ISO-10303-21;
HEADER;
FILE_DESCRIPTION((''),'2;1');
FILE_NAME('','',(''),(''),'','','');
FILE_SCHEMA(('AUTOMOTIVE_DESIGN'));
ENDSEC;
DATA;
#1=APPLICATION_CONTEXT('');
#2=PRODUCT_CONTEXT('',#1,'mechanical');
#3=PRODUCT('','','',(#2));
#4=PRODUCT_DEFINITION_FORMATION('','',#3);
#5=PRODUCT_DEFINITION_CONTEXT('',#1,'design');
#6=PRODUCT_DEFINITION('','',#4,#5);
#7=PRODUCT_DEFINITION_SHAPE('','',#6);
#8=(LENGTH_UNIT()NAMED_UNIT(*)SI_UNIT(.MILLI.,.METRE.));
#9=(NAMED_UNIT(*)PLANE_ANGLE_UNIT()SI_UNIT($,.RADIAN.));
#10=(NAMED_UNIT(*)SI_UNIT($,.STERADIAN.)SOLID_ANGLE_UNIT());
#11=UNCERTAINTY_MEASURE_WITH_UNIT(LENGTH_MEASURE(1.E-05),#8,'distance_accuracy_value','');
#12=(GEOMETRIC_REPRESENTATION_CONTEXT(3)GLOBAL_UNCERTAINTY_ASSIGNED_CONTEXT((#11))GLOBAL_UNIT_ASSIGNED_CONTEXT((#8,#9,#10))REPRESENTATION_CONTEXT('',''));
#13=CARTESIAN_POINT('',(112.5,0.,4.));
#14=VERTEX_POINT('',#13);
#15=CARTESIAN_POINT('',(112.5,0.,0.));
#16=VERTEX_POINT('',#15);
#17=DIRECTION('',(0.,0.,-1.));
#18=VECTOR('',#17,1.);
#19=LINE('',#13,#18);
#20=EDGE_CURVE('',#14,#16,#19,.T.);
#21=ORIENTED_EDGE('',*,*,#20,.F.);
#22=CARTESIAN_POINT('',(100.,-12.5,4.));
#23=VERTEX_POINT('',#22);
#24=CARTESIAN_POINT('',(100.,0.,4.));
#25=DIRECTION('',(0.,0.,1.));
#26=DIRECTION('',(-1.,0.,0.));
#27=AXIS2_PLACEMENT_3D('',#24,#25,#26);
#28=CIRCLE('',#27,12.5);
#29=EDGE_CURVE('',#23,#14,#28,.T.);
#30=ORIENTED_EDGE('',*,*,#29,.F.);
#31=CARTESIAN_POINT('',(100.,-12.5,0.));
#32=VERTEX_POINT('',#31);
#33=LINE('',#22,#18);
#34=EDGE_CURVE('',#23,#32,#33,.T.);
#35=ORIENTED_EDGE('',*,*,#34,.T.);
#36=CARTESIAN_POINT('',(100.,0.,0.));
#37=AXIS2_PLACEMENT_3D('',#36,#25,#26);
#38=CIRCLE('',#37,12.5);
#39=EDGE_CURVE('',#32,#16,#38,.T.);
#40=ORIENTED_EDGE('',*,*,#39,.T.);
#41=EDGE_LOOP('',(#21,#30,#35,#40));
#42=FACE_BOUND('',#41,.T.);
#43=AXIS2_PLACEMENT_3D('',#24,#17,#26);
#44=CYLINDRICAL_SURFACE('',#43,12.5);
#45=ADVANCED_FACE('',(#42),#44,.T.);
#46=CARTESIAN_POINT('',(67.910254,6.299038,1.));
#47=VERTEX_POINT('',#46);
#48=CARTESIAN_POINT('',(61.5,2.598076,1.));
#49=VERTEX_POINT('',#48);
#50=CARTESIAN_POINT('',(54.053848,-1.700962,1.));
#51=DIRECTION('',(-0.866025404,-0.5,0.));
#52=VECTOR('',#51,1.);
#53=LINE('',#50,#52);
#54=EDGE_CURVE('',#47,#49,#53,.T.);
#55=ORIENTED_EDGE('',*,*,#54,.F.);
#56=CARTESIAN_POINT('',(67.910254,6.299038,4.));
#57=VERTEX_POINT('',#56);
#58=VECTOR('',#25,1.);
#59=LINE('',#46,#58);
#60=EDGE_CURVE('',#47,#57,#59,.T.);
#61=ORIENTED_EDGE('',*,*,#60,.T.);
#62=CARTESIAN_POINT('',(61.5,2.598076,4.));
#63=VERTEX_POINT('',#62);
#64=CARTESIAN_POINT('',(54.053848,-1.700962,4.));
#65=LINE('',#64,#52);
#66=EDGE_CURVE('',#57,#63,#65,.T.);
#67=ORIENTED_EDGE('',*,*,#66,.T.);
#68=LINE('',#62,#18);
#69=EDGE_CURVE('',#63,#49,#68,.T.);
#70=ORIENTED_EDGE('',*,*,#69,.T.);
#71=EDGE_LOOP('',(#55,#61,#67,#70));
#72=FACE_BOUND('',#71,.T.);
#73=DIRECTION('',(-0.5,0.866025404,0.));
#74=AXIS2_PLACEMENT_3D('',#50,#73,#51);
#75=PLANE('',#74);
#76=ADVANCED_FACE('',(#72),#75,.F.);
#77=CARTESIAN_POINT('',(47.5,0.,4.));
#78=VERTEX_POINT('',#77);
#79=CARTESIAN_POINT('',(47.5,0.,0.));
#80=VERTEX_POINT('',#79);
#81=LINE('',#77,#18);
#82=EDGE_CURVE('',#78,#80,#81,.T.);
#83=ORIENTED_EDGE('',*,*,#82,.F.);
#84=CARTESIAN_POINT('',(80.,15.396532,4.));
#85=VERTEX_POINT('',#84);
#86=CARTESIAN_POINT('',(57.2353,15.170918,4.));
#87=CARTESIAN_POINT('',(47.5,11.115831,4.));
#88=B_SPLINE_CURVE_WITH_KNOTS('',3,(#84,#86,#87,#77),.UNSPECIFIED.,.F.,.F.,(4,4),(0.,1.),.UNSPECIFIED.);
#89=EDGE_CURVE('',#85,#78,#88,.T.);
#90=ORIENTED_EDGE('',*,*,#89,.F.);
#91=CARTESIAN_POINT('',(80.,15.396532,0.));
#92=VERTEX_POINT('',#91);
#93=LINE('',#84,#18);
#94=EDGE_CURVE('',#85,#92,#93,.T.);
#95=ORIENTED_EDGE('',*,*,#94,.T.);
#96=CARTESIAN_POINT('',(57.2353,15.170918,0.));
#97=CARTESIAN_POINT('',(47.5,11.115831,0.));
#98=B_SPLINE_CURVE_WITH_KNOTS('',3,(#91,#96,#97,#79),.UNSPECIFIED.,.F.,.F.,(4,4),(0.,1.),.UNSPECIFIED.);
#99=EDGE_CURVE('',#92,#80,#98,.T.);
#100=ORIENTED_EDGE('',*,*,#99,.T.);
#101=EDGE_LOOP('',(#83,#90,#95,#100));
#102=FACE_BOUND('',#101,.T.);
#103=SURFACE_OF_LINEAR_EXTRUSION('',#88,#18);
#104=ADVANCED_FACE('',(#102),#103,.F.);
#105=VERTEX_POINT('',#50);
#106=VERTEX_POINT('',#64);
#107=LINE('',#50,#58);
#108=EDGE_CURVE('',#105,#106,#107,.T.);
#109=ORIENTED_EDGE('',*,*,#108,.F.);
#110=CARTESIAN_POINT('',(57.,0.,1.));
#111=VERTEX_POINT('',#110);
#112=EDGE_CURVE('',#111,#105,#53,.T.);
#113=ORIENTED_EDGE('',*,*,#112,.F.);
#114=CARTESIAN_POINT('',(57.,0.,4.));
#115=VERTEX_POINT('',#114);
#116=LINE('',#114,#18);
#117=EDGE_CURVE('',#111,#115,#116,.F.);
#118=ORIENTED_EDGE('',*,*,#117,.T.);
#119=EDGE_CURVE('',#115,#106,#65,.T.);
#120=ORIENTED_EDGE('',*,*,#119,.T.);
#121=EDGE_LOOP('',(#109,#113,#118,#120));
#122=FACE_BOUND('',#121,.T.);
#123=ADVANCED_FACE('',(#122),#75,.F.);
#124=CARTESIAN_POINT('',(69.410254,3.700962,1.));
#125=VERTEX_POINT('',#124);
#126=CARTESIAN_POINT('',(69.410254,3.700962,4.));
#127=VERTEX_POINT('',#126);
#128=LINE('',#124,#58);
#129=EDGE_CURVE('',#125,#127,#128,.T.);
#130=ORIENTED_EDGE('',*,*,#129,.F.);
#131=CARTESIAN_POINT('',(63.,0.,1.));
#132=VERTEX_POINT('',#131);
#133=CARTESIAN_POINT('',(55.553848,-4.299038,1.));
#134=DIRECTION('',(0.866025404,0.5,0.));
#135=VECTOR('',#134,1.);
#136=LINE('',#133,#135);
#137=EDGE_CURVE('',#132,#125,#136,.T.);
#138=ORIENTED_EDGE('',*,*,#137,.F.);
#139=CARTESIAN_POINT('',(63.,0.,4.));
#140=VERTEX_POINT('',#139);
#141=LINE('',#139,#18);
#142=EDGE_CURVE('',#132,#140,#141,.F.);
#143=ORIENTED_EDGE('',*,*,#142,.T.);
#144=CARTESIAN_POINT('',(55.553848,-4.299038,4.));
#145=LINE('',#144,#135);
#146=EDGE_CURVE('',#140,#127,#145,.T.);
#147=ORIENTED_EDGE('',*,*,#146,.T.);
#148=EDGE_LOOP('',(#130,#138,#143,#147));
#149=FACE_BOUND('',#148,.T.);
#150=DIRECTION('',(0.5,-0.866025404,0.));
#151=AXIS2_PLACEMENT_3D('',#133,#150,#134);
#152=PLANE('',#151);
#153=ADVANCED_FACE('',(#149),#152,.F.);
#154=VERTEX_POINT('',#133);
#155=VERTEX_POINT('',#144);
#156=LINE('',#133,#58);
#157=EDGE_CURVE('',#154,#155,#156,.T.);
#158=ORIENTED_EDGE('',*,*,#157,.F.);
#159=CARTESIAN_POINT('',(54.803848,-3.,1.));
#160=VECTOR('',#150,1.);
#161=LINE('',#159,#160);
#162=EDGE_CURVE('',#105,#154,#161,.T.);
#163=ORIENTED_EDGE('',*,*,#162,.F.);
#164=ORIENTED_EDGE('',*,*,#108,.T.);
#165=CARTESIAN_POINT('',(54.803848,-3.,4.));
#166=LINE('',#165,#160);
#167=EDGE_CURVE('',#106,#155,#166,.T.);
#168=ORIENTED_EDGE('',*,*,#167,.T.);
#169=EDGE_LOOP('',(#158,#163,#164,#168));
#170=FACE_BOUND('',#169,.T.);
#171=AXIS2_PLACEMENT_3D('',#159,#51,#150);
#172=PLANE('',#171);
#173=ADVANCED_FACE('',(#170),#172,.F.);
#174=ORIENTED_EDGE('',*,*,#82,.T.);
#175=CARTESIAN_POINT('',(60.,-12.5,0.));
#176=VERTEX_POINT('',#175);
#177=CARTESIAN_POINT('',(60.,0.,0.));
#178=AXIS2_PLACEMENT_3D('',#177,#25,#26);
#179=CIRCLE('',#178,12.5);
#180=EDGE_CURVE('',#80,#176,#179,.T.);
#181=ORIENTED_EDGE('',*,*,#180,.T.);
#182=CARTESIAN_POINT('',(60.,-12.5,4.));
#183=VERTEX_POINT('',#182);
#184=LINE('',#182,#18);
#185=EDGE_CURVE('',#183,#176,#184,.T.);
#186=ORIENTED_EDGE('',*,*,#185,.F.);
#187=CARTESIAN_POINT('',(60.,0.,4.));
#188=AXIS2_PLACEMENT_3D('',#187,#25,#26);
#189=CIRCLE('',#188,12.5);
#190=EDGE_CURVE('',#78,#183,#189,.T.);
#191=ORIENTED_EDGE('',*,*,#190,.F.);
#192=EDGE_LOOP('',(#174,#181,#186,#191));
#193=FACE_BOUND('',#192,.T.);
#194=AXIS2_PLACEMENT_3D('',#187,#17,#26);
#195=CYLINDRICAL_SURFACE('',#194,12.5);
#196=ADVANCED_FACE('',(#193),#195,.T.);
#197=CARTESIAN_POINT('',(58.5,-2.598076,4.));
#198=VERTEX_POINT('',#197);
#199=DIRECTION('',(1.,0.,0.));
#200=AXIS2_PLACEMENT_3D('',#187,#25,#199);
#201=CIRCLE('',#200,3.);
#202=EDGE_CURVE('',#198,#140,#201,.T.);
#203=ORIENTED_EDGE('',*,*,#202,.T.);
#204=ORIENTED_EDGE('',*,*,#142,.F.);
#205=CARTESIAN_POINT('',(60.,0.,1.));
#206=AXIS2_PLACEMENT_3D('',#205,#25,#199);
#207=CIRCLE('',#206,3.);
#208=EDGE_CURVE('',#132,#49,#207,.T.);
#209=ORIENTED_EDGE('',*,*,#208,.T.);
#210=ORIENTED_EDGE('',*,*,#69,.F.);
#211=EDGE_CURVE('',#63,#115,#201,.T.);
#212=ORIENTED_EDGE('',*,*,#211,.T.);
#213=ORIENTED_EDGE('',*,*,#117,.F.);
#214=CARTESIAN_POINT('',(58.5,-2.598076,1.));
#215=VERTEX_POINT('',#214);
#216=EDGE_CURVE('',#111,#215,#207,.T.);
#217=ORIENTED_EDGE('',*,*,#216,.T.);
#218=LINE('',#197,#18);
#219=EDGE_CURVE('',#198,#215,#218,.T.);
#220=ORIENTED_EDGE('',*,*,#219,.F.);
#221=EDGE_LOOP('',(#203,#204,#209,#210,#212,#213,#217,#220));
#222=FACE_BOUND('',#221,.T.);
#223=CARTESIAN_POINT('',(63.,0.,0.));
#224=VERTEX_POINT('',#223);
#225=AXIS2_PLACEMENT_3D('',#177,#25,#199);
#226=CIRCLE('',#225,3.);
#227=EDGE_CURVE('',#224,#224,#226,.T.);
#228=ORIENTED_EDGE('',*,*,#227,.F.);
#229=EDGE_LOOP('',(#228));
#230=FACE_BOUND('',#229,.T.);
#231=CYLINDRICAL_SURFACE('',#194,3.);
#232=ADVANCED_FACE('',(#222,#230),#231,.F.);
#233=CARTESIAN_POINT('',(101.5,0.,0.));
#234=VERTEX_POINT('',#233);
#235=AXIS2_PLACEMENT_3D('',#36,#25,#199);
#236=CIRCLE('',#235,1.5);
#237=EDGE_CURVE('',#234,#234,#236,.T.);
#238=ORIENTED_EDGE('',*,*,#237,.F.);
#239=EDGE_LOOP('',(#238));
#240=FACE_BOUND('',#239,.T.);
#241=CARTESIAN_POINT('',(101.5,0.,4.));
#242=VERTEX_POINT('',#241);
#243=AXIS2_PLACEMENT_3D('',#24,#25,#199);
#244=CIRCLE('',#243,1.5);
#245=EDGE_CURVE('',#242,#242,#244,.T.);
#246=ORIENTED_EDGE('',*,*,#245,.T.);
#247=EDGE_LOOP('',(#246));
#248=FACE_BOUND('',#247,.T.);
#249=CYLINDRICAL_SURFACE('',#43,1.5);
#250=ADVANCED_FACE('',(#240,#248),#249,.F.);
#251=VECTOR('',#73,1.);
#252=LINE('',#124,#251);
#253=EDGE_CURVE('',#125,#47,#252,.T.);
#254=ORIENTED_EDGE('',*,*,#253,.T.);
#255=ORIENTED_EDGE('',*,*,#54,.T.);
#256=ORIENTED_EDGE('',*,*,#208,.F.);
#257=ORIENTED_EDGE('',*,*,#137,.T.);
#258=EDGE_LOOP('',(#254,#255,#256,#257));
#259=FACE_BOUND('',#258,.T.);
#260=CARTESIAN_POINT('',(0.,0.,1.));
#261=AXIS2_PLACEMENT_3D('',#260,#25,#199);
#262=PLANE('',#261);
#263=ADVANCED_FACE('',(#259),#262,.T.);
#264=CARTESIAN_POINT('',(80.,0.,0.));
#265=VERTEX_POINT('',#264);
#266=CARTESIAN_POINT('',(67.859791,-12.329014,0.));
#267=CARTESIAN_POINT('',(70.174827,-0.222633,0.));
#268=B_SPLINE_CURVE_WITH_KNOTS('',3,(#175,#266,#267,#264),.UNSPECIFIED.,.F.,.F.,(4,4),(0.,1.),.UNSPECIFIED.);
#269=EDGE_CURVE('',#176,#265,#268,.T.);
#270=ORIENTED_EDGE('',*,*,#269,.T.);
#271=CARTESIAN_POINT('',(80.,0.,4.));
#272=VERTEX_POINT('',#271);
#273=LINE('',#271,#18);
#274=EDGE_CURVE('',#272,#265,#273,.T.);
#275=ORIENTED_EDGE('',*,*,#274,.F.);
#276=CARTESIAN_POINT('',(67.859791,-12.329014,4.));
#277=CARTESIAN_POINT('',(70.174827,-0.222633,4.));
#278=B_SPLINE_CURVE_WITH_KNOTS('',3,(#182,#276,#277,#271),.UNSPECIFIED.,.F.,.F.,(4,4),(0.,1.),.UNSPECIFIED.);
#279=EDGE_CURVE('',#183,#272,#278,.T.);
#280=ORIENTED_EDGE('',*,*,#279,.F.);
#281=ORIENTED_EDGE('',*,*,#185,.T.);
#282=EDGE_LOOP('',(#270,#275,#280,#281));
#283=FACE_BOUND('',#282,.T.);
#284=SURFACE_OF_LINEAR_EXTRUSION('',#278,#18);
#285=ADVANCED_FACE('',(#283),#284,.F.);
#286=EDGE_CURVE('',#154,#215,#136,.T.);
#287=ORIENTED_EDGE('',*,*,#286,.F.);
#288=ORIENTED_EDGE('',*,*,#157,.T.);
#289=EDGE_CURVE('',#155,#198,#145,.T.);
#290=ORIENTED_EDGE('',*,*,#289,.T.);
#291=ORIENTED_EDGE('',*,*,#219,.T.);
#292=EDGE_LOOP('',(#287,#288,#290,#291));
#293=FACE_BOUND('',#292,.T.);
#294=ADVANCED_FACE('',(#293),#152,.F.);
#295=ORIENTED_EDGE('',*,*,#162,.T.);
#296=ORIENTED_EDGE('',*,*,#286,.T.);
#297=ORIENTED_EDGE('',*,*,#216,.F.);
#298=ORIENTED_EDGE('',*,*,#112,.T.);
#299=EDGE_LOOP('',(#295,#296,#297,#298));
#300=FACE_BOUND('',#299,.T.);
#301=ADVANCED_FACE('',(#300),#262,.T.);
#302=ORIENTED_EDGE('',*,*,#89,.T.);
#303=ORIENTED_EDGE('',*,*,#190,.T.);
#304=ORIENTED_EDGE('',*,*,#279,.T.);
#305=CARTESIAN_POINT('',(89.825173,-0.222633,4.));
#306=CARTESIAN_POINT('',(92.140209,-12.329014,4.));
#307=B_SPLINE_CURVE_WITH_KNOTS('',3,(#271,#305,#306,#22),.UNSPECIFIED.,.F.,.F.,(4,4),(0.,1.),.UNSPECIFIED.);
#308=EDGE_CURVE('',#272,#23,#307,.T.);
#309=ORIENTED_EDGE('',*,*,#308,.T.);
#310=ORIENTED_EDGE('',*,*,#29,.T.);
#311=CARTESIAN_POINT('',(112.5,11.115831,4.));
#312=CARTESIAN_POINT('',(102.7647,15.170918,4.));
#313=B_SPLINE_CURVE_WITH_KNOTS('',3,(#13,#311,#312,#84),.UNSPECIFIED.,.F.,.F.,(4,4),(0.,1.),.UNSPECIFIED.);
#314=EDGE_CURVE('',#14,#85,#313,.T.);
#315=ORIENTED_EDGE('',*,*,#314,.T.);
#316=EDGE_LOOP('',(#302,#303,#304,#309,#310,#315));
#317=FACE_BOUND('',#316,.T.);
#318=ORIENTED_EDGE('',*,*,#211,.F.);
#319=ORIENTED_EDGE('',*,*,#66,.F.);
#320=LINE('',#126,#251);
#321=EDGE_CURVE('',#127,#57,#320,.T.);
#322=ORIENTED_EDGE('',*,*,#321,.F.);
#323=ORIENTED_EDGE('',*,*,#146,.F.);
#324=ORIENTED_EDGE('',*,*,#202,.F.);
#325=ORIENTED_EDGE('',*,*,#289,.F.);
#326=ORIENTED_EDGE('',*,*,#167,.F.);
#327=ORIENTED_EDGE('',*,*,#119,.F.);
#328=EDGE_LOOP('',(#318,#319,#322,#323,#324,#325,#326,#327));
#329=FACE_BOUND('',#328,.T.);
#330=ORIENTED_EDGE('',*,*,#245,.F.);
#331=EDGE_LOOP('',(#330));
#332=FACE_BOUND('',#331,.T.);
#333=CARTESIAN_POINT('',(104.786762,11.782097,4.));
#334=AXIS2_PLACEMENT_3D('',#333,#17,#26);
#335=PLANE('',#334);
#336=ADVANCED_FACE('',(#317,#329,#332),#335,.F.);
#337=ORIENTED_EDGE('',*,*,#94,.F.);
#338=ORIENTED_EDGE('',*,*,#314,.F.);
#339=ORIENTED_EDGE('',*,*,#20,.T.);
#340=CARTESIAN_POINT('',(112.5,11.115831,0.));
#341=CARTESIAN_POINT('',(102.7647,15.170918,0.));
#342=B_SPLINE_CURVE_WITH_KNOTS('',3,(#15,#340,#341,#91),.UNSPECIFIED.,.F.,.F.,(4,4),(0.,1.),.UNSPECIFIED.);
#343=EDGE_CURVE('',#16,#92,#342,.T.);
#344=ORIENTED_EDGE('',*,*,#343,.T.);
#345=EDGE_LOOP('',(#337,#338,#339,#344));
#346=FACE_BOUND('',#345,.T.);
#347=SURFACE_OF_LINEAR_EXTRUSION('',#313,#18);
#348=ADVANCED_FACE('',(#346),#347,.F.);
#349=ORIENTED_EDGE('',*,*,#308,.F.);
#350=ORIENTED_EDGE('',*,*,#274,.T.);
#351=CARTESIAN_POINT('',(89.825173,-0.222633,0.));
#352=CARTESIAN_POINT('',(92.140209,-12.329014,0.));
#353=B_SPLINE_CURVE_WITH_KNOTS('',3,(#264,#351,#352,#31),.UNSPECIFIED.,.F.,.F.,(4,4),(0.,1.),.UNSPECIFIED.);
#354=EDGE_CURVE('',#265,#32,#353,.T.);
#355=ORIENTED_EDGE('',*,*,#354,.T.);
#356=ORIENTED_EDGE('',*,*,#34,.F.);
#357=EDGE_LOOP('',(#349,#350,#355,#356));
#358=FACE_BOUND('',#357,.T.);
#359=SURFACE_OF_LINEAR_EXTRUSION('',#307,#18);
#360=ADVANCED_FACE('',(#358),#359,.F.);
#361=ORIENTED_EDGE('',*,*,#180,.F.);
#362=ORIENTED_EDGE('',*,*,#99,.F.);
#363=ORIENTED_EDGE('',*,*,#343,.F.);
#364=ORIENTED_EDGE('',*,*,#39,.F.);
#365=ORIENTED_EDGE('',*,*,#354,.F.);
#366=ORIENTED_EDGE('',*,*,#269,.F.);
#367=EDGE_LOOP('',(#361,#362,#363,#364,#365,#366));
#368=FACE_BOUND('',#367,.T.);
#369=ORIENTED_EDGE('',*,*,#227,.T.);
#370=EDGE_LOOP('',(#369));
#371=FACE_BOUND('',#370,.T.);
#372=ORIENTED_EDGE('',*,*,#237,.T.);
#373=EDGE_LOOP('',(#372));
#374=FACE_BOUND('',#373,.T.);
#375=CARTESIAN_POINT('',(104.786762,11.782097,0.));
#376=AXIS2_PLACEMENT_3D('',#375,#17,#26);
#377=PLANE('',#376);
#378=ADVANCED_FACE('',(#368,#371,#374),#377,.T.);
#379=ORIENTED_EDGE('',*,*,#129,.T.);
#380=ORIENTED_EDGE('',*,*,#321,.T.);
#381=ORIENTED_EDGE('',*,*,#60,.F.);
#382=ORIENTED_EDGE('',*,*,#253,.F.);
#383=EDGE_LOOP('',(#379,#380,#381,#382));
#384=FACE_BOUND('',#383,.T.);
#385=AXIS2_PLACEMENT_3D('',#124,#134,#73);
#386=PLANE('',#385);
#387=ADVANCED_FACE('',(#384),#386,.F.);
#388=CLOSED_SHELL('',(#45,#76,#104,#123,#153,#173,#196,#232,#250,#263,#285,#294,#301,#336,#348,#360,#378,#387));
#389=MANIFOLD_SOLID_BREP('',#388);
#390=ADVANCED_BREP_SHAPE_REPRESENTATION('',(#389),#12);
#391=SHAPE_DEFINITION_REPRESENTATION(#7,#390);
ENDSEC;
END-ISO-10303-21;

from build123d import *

# Parameters (mm, degrees)
SKETCH_1_R          = 1.5
SKETCH_1_R_2        = 3
EXTRUDE_1_DEPTH     = 4
CUT_EXTRUDE_2_DEPTH = 3


with BuildPart() as part:
    # 草图1 → 凸台-拉伸1 (new body)
    with BuildSketch(Plane.XY):
        with BuildLine():
            ThreePointArc((112.5, 0), (108.838834765, -8.838834765), (100, -12.5))
            add(Edge.make_bspline(
                [(100, -12.5), (92.140208688, -12.329014368), (89.825172612, -0.222632889), (80, 0)],
                knots=[0, 0, 0, 0, 1, 1, 1, 1], degree=3))
            add(Edge.make_bspline(
                [(60, -12.5), (67.859791312, -12.329014368), (70.174827388, -0.222632889), (80, 0)],
                knots=[0, 0, 0, 0, 1, 1, 1, 1], degree=3))
            ThreePointArc((60, -12.5), (51.161165235, -8.838834765), (47.5, 0))
            add(Edge.make_bspline(
                [(47.5, 0), (47.5, 11.115830806), (57.235300252, 15.170917893), (80, 15.396531985)],
                knots=[0, 0, 0, 0, 1, 1, 1, 1], degree=3))
            add(Edge.make_bspline(
                [(112.5, 0), (112.5, 11.115830806), (102.764699748, 15.170917893), (80, 15.396531985)],
                knots=[0, 0, 0, 0, 1, 1, 1, 1], degree=3))
        make_face()
        with Locations((100, 0)):
            Circle(SKETCH_1_R, mode=Mode.SUBTRACT)
        with Locations((60, 0)):
            Circle(SKETCH_1_R_2, mode=Mode.SUBTRACT)
    extrude(amount=EXTRUDE_1_DEPTH)

    # 草图5 → 切除-拉伸2 (cut)
    with BuildSketch(Plane.XY.offset(4)):
        Polygon((54.803847577, -3), (54.053847577, -1.700961894), (67.910254038, 6.299038106), (69.410254038, 3.700961894), (55.553847577, -4.299038106), align=None)
    extrude(amount=-CUT_EXTRUDE_2_DEPTH, mode=Mode.SUBTRACT)


solid = part.part
